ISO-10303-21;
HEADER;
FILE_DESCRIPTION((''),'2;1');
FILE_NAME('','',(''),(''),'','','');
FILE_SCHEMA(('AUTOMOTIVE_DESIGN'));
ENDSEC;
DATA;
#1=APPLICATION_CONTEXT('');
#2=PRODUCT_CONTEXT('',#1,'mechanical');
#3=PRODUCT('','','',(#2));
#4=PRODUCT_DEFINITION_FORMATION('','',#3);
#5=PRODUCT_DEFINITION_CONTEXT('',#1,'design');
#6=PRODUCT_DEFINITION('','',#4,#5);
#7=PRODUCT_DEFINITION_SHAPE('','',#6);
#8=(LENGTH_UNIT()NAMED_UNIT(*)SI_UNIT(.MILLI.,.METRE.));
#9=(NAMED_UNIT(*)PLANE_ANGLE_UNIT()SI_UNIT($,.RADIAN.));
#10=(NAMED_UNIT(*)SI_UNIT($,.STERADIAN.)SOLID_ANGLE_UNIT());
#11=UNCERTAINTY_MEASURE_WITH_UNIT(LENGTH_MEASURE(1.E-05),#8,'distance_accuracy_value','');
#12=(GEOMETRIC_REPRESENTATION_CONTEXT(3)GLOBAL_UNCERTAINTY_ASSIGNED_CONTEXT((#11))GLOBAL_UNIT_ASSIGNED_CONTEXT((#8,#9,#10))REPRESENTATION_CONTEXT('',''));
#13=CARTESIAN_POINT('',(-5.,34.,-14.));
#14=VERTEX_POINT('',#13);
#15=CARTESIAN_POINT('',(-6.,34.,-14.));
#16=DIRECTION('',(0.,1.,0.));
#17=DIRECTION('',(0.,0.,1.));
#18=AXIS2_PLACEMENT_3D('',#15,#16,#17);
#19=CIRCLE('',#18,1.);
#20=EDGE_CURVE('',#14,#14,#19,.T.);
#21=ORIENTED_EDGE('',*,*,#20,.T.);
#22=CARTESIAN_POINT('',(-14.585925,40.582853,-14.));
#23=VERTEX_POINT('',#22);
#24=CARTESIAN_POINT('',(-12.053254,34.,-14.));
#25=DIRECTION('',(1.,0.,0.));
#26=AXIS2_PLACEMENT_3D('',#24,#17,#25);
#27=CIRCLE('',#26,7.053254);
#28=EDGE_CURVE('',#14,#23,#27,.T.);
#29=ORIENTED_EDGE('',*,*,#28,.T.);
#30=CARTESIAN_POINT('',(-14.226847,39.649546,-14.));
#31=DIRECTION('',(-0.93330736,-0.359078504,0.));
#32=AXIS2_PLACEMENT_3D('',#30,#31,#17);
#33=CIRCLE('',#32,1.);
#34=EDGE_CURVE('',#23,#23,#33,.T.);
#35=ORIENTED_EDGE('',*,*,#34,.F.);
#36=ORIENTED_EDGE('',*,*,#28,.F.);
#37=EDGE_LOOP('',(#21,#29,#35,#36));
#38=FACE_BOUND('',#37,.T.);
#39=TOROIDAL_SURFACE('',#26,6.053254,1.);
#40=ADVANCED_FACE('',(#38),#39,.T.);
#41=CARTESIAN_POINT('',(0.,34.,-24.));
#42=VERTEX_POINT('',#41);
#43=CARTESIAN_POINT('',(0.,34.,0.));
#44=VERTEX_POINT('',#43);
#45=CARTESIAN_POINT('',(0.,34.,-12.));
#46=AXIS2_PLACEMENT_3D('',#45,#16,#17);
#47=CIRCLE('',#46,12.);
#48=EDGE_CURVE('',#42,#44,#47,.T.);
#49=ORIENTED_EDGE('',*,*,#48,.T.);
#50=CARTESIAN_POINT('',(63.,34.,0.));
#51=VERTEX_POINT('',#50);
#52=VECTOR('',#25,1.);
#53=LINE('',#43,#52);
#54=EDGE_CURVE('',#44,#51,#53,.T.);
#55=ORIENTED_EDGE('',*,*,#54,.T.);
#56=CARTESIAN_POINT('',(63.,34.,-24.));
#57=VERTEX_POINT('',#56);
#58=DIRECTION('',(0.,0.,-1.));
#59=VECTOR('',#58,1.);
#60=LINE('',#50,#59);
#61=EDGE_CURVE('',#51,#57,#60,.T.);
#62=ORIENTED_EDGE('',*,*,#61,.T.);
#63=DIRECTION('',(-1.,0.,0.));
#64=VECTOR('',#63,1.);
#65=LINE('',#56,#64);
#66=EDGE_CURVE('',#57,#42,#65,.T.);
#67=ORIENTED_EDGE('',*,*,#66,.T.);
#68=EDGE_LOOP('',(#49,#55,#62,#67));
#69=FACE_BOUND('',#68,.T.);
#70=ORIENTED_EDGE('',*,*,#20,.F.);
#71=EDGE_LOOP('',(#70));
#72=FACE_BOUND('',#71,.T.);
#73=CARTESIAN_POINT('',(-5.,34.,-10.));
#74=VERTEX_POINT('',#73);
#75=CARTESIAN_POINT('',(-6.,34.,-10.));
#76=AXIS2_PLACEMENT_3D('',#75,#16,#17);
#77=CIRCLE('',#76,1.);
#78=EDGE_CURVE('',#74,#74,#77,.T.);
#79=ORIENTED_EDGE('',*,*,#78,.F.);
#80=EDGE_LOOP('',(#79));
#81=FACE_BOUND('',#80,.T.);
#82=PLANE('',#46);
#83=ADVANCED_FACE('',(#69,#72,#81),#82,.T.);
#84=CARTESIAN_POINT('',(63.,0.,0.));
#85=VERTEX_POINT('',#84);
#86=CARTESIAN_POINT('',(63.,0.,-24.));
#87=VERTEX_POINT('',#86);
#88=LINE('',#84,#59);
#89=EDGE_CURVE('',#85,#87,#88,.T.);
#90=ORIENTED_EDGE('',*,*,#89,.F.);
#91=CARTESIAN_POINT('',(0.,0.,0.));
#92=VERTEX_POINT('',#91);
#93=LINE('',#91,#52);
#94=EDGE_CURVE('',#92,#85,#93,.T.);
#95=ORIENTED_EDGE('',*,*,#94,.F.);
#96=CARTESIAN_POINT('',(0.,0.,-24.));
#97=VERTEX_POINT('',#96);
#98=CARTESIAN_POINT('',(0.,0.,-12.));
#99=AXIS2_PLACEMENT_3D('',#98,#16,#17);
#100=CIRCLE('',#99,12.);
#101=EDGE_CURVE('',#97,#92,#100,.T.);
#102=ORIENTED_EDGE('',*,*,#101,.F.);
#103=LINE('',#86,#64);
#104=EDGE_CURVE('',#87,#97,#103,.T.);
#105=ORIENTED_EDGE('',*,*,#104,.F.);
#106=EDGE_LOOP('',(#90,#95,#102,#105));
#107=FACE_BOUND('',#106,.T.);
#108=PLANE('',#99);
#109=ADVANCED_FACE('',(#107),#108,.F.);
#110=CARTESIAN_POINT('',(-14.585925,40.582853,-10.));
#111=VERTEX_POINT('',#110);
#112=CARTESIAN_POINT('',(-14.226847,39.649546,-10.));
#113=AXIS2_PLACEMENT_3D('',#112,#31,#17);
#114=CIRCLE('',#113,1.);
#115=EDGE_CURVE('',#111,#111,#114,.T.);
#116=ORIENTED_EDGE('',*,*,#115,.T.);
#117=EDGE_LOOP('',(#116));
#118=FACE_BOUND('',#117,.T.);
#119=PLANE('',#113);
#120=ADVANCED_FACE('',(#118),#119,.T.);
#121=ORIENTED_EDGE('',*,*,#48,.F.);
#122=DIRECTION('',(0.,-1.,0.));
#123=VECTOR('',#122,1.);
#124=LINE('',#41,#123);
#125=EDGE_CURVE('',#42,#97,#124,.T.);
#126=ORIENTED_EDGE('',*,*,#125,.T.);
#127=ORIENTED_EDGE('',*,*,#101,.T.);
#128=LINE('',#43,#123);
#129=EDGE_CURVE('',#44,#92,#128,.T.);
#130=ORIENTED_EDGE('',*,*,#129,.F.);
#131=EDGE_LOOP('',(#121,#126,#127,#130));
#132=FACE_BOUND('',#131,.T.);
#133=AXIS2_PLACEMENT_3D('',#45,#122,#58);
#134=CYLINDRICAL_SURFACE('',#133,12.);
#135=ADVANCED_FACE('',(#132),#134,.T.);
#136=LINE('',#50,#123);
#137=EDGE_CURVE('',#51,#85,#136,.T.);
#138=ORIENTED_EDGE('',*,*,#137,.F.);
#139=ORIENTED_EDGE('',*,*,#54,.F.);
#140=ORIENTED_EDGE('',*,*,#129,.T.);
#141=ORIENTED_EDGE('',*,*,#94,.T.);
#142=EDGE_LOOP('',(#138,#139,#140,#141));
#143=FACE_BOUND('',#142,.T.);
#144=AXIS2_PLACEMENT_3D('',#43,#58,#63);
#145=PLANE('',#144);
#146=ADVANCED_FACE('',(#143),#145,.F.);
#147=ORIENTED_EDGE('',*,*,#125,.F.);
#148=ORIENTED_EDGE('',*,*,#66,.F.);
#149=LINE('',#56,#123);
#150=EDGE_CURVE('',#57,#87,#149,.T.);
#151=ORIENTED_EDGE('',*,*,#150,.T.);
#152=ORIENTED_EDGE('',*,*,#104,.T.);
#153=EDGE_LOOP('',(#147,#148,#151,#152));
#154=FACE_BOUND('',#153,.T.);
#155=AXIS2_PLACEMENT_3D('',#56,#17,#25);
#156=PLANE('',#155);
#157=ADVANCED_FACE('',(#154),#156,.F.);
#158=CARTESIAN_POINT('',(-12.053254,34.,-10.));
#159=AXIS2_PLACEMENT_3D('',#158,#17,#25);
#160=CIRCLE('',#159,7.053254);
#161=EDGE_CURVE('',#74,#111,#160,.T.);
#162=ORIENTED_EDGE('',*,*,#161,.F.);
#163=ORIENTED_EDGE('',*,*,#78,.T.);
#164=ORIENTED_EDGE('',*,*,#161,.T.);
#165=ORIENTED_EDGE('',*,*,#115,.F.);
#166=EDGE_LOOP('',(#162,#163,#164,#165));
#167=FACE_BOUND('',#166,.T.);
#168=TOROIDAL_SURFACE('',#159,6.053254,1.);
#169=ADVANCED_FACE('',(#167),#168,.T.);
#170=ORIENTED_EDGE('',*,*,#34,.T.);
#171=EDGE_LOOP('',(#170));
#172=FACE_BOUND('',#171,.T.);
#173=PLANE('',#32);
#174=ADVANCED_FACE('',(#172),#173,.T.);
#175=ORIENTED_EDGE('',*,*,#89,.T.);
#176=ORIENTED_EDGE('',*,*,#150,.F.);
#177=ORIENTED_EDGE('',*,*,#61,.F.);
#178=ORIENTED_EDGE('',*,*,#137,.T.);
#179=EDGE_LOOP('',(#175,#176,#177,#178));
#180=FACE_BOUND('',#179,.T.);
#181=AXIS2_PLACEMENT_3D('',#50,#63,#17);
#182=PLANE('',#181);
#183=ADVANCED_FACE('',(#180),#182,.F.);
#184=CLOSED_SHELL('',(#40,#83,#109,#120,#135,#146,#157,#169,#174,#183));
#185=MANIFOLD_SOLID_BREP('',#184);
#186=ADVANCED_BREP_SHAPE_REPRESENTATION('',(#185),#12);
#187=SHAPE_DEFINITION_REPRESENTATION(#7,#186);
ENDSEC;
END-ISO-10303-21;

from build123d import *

# Parameters (mm, degrees)
BOSS_EXTRUDE1_DEPTH = 34
SWEEP2_PROFILE_R    = 1
LPATTERN1_COUNT     = 2
LPATTERN1_PITCH     = 4


with BuildPart() as part:
    # Sketch1 → Boss-Extrude1 (new body)
    with BuildSketch(Plane(origin=(0, 0, 0), x_dir=(1, 0, 0), z_dir=(0, 1, 0))):
        with BuildLine():
            Line((0, 0), (63, 0))
            Line((63, 0), (63, 24))
            Line((63, 24), (0, 24))
            ThreePointArc((0, 24), (-12, 12), (0, 0))
        make_face()
    extrude(amount=BOSS_EXTRUDE1_DEPTH)

    # Sweep2: sweep along a path in Sketch21
    with BuildLine(Plane(origin=(0, 0, -14), x_dir=(-1, 0, 0), z_dir=(0, 0, -1))) as sweep2_path:
        ThreePointArc((6, 34), (8.626551961, 38.989949378), (14.22684679, 39.649546094))
    # Sweep2 profile (on start of the path) → Sweep2 (sweep)
    with BuildSketch(Plane(origin=(-6, 34, -14), x_dir=(1, 0, 0), z_dir=(0, 1, 0))):
        Circle(SWEEP2_PROFILE_R)
    sweep2 = sweep(path=sweep2_path.line)

    # LPattern1: Sweep2 ×2
    with Locations(*[(0, 0, i * LPATTERN1_PITCH) for i in range(1, LPATTERN1_COUNT)]):
        add(sweep2)


solid = part.part
